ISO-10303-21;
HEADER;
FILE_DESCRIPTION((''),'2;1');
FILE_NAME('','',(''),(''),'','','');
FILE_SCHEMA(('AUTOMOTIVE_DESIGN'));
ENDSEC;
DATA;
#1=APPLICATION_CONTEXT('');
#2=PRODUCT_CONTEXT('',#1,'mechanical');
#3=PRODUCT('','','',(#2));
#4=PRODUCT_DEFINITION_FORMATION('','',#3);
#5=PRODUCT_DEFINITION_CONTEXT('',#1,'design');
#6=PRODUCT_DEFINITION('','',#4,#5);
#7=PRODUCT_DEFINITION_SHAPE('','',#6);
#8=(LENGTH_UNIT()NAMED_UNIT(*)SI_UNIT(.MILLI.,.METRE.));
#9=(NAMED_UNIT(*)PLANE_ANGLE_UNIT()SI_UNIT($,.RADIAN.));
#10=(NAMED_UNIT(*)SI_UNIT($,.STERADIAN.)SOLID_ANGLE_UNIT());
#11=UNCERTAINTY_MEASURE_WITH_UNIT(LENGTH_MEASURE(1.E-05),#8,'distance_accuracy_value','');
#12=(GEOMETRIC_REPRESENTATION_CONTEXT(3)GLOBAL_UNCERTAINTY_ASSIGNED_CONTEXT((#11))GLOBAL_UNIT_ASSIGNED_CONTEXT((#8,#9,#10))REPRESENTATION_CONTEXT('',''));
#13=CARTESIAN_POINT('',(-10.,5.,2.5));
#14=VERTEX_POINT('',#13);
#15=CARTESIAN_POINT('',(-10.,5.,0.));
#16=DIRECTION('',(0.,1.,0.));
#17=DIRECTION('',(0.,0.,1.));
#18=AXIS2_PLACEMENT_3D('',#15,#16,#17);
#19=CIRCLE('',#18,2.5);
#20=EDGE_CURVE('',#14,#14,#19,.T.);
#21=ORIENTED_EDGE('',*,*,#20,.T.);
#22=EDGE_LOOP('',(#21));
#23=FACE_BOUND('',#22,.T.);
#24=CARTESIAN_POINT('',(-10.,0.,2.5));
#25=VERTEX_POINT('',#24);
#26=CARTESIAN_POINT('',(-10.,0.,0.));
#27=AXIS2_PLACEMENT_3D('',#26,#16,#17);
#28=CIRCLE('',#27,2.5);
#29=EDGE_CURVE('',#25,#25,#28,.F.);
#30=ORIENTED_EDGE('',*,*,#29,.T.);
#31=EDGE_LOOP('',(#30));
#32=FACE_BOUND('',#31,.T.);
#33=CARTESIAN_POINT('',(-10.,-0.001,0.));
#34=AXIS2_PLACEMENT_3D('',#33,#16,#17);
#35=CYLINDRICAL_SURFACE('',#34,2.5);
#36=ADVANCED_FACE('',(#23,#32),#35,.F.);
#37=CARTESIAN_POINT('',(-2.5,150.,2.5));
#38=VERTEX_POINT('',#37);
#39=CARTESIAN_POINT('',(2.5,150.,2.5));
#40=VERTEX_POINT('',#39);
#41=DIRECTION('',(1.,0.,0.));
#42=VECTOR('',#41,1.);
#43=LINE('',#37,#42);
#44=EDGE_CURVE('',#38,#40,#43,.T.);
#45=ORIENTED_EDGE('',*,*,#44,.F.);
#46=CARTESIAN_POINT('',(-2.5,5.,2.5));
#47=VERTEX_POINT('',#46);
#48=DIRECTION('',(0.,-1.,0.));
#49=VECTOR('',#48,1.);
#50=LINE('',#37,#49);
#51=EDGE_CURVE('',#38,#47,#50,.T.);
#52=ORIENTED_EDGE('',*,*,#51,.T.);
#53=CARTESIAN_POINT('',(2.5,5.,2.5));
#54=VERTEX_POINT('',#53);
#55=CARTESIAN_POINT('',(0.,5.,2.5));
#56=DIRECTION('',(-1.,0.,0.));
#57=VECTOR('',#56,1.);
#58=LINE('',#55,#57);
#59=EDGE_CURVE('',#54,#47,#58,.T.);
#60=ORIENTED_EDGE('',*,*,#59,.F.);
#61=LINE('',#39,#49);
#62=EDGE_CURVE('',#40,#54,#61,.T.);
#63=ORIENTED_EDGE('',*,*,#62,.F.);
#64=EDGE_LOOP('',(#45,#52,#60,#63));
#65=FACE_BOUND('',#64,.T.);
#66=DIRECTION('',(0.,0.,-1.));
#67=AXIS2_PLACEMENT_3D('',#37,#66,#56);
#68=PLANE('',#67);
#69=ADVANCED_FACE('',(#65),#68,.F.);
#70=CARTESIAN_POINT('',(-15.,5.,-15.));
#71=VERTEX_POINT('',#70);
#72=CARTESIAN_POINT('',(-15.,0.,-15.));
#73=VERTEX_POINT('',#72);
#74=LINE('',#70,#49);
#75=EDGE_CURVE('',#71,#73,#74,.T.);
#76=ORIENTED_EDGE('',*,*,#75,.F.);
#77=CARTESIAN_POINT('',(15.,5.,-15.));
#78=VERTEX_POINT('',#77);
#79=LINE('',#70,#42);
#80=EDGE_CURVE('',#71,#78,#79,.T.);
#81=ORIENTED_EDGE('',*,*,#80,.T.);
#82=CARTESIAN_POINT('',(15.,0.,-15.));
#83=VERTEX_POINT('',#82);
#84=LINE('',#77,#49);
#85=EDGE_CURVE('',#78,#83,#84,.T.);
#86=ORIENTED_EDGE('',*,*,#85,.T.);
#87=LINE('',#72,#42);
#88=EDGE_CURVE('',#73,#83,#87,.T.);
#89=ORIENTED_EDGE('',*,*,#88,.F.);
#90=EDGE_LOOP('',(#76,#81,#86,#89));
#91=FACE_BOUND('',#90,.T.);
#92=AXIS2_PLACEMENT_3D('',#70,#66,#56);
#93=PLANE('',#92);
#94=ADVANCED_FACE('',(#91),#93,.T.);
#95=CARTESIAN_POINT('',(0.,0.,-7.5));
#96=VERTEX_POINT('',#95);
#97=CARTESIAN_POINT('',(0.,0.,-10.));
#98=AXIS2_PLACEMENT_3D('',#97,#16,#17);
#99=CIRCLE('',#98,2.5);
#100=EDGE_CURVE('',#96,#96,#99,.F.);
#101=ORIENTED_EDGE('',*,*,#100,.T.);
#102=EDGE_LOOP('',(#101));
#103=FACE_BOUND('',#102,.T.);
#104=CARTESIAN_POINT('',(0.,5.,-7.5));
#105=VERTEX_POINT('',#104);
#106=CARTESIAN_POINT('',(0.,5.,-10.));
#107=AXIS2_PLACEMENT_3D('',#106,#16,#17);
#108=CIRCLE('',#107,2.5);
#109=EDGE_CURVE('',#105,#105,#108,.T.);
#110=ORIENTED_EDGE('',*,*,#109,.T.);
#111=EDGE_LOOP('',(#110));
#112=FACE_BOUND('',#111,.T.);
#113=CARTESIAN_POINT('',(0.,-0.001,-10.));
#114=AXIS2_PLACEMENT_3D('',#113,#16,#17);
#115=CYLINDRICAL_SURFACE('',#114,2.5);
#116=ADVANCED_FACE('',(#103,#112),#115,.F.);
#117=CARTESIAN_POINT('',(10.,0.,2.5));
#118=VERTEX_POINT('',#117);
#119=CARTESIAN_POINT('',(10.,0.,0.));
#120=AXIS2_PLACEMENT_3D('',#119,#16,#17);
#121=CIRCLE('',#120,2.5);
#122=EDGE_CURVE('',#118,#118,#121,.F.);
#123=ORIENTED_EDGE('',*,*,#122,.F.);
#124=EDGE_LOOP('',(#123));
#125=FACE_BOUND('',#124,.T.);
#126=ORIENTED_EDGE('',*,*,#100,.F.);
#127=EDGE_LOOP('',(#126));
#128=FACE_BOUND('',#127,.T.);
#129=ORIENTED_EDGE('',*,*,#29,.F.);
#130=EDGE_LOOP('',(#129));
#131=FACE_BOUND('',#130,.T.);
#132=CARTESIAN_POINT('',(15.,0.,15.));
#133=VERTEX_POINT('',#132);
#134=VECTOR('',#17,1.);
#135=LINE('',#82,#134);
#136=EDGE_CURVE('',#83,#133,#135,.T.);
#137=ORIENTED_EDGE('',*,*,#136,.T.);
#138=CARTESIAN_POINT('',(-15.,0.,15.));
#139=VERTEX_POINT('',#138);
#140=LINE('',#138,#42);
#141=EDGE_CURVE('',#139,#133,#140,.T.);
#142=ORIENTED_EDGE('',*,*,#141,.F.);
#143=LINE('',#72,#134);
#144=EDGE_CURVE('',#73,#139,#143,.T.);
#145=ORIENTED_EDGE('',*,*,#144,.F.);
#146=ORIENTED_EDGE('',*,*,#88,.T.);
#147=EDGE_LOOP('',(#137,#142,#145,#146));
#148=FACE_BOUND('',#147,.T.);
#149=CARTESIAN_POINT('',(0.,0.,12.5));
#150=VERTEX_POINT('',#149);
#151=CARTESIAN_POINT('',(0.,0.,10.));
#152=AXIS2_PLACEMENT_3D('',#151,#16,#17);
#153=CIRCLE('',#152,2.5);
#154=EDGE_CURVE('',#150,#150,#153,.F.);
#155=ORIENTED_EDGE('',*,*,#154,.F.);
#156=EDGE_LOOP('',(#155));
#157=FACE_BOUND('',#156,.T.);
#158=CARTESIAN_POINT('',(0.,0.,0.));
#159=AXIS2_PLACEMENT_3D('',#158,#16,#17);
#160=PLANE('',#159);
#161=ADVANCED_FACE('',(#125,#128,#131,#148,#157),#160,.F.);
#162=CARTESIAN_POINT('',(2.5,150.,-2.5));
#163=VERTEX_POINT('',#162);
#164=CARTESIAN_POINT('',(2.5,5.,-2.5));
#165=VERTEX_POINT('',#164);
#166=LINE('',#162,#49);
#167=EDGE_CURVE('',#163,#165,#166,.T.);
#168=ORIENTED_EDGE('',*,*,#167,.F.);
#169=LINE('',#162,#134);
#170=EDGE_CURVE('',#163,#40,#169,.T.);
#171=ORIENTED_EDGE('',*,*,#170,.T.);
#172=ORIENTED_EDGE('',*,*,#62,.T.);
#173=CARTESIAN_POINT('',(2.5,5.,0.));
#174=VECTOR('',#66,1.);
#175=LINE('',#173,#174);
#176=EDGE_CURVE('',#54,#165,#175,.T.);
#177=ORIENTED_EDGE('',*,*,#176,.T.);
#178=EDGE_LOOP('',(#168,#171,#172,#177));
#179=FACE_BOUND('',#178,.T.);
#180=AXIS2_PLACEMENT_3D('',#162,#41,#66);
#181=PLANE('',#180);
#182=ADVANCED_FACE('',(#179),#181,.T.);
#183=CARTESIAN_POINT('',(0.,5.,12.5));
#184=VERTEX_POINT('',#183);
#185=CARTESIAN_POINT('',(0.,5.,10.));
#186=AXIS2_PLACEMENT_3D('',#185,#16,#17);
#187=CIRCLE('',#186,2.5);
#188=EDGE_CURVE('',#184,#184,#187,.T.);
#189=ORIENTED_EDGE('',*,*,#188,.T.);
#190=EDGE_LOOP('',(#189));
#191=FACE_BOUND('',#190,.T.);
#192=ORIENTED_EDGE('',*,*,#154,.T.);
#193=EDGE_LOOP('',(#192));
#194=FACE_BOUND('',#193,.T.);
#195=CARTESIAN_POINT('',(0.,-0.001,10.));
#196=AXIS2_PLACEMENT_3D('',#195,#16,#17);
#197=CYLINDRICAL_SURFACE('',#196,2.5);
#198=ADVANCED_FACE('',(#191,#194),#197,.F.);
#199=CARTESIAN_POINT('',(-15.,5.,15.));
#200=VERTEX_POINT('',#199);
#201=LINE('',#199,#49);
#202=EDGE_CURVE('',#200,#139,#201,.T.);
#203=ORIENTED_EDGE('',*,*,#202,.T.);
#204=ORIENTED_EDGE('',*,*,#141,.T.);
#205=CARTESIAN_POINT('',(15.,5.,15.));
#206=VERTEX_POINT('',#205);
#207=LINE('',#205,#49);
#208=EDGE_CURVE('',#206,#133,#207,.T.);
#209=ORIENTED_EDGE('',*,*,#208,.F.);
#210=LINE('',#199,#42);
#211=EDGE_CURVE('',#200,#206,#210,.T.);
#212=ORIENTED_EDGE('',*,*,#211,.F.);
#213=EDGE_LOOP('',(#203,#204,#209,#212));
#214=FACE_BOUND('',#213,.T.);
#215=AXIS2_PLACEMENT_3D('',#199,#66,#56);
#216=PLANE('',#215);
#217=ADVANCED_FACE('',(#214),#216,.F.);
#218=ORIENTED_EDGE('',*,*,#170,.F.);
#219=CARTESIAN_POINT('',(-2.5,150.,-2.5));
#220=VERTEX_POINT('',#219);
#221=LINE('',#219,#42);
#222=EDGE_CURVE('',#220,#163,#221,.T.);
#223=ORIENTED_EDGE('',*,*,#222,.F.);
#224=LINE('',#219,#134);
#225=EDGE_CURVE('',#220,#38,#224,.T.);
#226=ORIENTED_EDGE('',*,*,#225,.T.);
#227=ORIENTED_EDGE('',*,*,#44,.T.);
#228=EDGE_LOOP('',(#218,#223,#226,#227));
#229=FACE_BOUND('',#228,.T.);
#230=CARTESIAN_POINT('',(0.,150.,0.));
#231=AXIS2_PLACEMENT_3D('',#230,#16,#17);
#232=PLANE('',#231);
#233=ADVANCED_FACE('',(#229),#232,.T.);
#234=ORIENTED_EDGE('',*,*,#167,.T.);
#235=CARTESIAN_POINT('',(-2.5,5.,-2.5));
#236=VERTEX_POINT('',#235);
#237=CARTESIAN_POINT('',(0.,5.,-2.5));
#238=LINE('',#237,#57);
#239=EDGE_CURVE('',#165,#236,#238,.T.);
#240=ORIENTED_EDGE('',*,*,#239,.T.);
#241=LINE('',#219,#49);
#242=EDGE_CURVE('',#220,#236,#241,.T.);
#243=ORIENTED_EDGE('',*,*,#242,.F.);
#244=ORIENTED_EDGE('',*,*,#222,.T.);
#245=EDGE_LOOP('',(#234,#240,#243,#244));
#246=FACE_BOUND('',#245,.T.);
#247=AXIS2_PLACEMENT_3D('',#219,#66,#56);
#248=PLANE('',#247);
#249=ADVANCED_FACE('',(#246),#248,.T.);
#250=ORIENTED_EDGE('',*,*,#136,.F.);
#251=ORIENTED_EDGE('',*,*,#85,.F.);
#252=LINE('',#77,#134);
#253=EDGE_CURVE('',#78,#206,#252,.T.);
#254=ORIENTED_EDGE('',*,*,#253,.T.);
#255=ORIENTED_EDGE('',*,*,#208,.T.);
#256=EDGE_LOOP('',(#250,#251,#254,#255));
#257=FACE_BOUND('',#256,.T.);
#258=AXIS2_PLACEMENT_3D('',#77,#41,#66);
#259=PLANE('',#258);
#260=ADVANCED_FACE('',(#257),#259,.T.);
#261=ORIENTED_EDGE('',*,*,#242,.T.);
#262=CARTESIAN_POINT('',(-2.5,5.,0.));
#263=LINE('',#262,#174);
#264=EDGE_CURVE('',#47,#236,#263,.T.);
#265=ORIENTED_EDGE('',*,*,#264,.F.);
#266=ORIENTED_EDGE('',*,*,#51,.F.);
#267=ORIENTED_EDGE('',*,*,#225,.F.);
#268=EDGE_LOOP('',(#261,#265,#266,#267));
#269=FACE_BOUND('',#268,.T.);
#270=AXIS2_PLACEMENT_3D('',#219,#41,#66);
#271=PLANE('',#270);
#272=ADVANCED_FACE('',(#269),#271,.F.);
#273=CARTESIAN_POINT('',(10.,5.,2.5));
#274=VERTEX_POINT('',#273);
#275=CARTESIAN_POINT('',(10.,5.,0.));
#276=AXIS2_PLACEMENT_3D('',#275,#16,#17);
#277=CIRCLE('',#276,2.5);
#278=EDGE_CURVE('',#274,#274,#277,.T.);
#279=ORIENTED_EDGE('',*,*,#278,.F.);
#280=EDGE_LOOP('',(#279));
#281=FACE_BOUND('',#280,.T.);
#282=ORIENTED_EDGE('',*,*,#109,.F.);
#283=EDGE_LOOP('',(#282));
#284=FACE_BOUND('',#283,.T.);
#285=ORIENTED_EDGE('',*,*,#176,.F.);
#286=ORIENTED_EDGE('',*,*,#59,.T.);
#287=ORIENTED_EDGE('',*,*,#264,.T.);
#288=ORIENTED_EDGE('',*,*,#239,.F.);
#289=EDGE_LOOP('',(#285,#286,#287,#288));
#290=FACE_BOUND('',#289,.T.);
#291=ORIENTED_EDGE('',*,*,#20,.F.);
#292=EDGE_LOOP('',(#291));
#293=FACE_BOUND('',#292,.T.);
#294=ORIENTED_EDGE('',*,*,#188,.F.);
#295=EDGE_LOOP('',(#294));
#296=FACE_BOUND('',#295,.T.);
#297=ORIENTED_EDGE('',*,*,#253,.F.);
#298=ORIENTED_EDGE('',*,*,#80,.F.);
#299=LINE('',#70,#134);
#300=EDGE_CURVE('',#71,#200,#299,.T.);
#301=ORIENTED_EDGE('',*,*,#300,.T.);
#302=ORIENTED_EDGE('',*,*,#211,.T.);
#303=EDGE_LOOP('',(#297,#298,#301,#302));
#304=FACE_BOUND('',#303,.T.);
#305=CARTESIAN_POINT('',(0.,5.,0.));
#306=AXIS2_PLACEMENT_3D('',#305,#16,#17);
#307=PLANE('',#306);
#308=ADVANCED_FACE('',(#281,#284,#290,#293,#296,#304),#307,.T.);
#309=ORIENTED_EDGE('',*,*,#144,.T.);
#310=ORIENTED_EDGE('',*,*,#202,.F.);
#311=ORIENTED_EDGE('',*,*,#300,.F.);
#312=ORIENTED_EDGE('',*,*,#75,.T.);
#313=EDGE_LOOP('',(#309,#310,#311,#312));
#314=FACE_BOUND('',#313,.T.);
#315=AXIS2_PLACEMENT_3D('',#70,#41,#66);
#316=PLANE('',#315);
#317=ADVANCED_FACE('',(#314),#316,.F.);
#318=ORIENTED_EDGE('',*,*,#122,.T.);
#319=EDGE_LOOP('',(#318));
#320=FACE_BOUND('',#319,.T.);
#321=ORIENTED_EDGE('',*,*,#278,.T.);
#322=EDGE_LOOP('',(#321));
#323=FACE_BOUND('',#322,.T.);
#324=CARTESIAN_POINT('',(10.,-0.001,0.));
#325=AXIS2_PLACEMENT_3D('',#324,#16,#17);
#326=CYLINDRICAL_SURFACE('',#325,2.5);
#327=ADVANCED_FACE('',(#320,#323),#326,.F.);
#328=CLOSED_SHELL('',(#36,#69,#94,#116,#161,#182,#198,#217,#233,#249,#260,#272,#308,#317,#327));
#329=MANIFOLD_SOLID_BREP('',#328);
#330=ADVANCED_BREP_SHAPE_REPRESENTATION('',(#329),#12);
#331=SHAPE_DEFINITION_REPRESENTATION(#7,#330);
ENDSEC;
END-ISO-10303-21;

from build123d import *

# Parameters (mm, degrees)
SKETCH5_W           = 30
SKETCH5_H           = 30
BOSS_EXTRUDE1_DEPTH = 5
SKETCH5_3_W         = 5
SKETCH5_3_H         = 5
BOSS_EXTRUDE2_DEPTH = 150
CUT_EXTRUDE2_REACH  = 148.544
SKETCH6_R           = 2.5


with BuildPart() as part:
    # Sketch5 → Boss-Extrude1 (new body)
    with BuildSketch(Plane(origin=(0, 0, 0), x_dir=(1, 0, 0), z_dir=(0, 1, 0))):
        Rectangle(SKETCH5_W, SKETCH5_H)
    extrude(amount=BOSS_EXTRUDE1_DEPTH)

    # Sketch5<3> → Boss-Extrude2 (add)
    with BuildSketch(Plane(origin=(0, 0, 0), x_dir=(1, 0, 0), z_dir=(0, 1, 0))):
        Rectangle(SKETCH5_3_W, SKETCH5_3_H)
    extrude(amount=BOSS_EXTRUDE2_DEPTH)

    # Sketch6 → Cut-Extrude2 (cut, up to next)
    with BuildSketch(Plane(origin=(0, 5, 0), x_dir=(1, 0, 0), z_dir=(0, 1, 0)), mode=Mode.PRIVATE) as cut_extrude2_sk1:
        with Locations((0, 10)):
            Circle(SKETCH6_R)
    cut_extrude2_tool1 = extrude(cut_extrude2_sk1.sketch, amount=-CUT_EXTRUDE2_REACH, mode=Mode.PRIVATE) & part.part
    # Sketch6 → Cut-Extrude2 (cut, up to next)
    with BuildSketch(Plane(origin=(0, 5, 0), x_dir=(1, 0, 0), z_dir=(0, 1, 0)), mode=Mode.PRIVATE) as cut_extrude2_sk2:
        with Locations((10, 0)):
            Circle(SKETCH6_R)
    cut_extrude2_tool2 = extrude(cut_extrude2_sk2.sketch, amount=-CUT_EXTRUDE2_REACH, mode=Mode.PRIVATE) & part.part
    # Sketch6 → Cut-Extrude2 (cut, up to next)
    with BuildSketch(Plane(origin=(0, 5, 0), x_dir=(1, 0, 0), z_dir=(0, 1, 0)), mode=Mode.PRIVATE) as cut_extrude2_sk3:
        with Locations((0, -10)):
            Circle(SKETCH6_R)
    cut_extrude2_tool3 = extrude(cut_extrude2_sk3.sketch, amount=-CUT_EXTRUDE2_REACH, mode=Mode.PRIVATE) & part.part
    # Sketch6 → Cut-Extrude2 (cut, up to next)
    with BuildSketch(Plane(origin=(0, 5, 0), x_dir=(1, 0, 0), z_dir=(0, 1, 0)), mode=Mode.PRIVATE) as cut_extrude2_sk4:
        with Locations((-10, 0)):
            Circle(SKETCH6_R)
    cut_extrude2_tool4 = extrude(cut_extrude2_sk4.sketch, amount=-CUT_EXTRUDE2_REACH, mode=Mode.PRIVATE) & part.part
    add(cut_extrude2_tool1.solids().sort_by_distance((0, 5, -10))[0], mode=Mode.SUBTRACT)
    add(cut_extrude2_tool2.solids().sort_by_distance((10, 5, 0))[0], mode=Mode.SUBTRACT)
    add(cut_extrude2_tool3.solids().sort_by_distance((0, 5, 10))[0], mode=Mode.SUBTRACT)
    add(cut_extrude2_tool4.solids().sort_by_distance((-10, 5, 0))[0], mode=Mode.SUBTRACT)


solid = part.part
